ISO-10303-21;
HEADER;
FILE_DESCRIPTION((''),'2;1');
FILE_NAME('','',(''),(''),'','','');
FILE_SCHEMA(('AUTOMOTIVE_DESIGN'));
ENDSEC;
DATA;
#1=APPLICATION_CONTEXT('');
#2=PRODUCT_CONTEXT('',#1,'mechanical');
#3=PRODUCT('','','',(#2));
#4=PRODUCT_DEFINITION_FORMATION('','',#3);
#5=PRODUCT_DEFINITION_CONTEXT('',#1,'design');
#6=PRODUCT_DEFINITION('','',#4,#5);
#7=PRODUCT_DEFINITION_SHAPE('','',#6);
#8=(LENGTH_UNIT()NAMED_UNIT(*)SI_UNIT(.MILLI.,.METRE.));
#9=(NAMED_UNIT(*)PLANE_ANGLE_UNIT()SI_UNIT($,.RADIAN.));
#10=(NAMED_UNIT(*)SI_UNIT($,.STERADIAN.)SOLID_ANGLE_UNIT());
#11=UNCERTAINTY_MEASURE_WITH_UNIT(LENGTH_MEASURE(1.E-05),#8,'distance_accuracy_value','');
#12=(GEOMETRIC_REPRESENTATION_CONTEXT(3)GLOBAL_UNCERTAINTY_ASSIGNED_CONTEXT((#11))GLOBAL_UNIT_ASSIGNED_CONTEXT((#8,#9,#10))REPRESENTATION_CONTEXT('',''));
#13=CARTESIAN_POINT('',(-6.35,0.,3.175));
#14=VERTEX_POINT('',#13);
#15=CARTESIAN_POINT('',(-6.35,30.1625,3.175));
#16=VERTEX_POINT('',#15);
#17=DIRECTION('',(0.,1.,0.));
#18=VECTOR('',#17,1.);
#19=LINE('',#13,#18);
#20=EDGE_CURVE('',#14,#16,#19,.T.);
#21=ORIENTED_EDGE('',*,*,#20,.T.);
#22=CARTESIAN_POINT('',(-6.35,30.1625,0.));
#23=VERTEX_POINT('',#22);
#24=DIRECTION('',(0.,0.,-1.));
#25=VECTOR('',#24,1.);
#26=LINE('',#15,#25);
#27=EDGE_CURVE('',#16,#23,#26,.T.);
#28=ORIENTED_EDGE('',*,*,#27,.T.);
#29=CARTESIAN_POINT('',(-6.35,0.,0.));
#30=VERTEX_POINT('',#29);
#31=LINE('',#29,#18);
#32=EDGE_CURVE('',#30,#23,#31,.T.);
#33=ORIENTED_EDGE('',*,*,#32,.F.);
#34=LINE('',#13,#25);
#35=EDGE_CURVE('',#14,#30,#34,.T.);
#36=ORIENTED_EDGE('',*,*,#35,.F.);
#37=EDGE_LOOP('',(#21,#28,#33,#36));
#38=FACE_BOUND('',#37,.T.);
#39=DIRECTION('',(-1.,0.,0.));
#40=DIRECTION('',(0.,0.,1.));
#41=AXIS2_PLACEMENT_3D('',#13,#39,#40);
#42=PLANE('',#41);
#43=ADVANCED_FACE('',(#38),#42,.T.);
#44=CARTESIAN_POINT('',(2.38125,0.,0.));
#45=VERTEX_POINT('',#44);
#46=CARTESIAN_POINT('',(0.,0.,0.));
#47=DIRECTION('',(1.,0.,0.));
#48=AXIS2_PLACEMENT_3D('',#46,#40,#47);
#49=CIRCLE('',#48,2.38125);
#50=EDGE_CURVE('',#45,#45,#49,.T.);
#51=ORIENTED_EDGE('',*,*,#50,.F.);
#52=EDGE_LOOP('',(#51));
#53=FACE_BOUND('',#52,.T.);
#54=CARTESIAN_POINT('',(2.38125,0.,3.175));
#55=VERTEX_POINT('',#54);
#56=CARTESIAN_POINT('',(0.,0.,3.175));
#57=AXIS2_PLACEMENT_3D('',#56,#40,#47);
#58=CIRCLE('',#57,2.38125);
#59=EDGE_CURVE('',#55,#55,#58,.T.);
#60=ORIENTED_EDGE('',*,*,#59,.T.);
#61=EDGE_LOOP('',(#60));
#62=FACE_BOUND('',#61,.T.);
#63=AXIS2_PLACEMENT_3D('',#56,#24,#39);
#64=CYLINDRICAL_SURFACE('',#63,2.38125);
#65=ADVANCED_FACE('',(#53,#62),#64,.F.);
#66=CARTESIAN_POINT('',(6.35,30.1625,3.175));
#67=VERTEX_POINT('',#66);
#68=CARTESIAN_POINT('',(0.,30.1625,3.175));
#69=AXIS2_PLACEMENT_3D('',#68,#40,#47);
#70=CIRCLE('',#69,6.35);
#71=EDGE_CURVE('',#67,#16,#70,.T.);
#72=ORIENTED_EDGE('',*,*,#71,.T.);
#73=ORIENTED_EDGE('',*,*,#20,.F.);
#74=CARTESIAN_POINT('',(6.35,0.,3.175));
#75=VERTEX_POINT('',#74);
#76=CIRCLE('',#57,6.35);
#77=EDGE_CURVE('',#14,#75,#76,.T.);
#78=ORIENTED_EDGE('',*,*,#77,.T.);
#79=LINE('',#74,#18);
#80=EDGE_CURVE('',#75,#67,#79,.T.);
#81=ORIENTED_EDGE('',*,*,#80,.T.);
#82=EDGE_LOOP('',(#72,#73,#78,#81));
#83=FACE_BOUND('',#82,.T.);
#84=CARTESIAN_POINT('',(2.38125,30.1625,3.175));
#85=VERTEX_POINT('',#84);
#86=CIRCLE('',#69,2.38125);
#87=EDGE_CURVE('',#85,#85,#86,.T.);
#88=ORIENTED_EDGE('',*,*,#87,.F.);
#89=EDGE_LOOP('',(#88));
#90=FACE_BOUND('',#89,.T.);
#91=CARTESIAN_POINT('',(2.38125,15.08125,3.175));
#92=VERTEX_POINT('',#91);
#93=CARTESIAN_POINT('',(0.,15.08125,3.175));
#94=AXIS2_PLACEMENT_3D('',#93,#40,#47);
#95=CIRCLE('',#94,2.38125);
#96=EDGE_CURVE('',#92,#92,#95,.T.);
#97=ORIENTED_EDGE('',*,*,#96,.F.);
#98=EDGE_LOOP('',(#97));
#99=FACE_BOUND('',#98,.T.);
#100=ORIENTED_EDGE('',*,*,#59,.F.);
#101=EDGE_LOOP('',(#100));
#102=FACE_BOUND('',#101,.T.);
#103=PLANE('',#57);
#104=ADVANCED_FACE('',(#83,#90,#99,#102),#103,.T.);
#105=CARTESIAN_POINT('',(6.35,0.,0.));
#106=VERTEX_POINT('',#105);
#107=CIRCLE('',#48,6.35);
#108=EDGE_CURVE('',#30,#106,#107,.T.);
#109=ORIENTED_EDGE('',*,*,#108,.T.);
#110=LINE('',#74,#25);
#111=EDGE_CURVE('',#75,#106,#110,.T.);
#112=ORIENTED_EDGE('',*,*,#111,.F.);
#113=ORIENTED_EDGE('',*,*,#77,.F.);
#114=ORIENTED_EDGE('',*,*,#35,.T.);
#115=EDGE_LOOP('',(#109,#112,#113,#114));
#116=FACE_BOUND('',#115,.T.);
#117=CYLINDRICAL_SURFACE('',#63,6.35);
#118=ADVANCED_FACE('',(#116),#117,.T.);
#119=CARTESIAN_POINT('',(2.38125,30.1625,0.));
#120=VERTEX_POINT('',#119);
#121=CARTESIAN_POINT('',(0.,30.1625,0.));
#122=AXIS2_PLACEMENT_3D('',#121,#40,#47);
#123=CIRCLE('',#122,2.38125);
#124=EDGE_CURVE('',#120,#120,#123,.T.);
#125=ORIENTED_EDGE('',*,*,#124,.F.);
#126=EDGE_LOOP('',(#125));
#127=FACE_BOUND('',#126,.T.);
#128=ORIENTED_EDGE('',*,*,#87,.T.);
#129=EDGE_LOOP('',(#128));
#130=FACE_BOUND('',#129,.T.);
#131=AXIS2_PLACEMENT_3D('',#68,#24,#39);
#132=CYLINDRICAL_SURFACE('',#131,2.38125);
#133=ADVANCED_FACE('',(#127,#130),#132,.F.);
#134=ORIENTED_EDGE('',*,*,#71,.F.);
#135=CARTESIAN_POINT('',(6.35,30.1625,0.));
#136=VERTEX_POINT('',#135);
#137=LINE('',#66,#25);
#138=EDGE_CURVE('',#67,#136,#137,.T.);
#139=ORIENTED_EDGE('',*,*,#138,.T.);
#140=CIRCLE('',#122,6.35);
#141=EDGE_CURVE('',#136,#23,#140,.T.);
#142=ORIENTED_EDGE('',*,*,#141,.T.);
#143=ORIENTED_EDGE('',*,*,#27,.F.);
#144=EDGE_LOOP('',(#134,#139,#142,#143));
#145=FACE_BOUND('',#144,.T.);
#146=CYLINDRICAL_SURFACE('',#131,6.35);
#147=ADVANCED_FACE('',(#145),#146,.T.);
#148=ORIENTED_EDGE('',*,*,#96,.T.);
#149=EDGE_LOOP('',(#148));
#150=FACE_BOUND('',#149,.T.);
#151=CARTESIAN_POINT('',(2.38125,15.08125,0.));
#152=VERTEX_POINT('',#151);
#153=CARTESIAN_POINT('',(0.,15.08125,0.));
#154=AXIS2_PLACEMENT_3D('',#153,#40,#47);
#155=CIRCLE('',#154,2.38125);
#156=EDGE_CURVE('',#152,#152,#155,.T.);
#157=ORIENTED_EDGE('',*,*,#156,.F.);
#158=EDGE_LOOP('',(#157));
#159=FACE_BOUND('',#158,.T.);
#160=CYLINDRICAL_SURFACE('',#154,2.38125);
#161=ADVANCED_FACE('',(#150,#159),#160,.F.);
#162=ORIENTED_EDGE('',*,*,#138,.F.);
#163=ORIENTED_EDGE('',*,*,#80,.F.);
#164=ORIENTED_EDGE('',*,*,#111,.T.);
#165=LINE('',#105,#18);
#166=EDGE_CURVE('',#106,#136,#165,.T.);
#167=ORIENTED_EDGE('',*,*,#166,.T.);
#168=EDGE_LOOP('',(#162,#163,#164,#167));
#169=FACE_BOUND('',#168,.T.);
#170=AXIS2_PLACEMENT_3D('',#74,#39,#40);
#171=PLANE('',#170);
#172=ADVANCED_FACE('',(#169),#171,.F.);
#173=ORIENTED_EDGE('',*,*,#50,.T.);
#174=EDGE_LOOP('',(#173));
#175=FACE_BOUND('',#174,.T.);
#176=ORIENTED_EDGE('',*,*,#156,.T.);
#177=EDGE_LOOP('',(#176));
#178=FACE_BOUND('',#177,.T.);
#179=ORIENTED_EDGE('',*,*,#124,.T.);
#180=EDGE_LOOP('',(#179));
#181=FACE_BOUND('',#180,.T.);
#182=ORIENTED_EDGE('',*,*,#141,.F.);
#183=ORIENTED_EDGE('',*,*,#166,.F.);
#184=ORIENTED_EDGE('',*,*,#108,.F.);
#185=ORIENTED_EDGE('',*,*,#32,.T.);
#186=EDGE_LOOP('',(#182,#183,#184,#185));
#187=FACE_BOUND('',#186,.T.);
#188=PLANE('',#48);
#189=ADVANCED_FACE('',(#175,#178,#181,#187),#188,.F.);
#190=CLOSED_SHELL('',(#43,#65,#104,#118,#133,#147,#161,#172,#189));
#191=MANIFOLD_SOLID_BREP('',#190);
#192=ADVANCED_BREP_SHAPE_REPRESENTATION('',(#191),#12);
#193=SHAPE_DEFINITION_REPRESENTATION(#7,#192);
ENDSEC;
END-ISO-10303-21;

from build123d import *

# Parameters (mm, degrees)
SKETCH1_R           = 2.38125
BOSS_EXTRUDE1_DEPTH = 3.175
SKETCH2_R           = 2.38125
CUT_EXTRUDE1_DEPTH  = 3.175


with BuildPart() as part:
    # Sketch1 → Boss-Extrude1 (new body)
    with BuildSketch(Plane.XY):
        with BuildLine():
            Line((-6.35, 0), (-6.35, 30.1625))
            ThreePointArc((-6.35, 30.1625), (0, 36.5125), (6.35, 30.1625))
            Line((6.35, 30.1625), (6.35, 0))
            ThreePointArc((6.35, 0), (0, -6.35), (-6.35, 0))
        make_face()
        Circle(SKETCH1_R, mode=Mode.SUBTRACT)
        with Locations((0, 30.1625)):
            Circle(SKETCH1_R, mode=Mode.SUBTRACT)
    extrude(amount=BOSS_EXTRUDE1_DEPTH)

    # Sketch2 → Cut-Extrude1 (cut)
    with BuildSketch(Plane.XY.offset(3.175)):
        with Locations((0, 15.08125)):
            Circle(SKETCH2_R)
    extrude(amount=-CUT_EXTRUDE1_DEPTH, mode=Mode.SUBTRACT)


solid = part.part
